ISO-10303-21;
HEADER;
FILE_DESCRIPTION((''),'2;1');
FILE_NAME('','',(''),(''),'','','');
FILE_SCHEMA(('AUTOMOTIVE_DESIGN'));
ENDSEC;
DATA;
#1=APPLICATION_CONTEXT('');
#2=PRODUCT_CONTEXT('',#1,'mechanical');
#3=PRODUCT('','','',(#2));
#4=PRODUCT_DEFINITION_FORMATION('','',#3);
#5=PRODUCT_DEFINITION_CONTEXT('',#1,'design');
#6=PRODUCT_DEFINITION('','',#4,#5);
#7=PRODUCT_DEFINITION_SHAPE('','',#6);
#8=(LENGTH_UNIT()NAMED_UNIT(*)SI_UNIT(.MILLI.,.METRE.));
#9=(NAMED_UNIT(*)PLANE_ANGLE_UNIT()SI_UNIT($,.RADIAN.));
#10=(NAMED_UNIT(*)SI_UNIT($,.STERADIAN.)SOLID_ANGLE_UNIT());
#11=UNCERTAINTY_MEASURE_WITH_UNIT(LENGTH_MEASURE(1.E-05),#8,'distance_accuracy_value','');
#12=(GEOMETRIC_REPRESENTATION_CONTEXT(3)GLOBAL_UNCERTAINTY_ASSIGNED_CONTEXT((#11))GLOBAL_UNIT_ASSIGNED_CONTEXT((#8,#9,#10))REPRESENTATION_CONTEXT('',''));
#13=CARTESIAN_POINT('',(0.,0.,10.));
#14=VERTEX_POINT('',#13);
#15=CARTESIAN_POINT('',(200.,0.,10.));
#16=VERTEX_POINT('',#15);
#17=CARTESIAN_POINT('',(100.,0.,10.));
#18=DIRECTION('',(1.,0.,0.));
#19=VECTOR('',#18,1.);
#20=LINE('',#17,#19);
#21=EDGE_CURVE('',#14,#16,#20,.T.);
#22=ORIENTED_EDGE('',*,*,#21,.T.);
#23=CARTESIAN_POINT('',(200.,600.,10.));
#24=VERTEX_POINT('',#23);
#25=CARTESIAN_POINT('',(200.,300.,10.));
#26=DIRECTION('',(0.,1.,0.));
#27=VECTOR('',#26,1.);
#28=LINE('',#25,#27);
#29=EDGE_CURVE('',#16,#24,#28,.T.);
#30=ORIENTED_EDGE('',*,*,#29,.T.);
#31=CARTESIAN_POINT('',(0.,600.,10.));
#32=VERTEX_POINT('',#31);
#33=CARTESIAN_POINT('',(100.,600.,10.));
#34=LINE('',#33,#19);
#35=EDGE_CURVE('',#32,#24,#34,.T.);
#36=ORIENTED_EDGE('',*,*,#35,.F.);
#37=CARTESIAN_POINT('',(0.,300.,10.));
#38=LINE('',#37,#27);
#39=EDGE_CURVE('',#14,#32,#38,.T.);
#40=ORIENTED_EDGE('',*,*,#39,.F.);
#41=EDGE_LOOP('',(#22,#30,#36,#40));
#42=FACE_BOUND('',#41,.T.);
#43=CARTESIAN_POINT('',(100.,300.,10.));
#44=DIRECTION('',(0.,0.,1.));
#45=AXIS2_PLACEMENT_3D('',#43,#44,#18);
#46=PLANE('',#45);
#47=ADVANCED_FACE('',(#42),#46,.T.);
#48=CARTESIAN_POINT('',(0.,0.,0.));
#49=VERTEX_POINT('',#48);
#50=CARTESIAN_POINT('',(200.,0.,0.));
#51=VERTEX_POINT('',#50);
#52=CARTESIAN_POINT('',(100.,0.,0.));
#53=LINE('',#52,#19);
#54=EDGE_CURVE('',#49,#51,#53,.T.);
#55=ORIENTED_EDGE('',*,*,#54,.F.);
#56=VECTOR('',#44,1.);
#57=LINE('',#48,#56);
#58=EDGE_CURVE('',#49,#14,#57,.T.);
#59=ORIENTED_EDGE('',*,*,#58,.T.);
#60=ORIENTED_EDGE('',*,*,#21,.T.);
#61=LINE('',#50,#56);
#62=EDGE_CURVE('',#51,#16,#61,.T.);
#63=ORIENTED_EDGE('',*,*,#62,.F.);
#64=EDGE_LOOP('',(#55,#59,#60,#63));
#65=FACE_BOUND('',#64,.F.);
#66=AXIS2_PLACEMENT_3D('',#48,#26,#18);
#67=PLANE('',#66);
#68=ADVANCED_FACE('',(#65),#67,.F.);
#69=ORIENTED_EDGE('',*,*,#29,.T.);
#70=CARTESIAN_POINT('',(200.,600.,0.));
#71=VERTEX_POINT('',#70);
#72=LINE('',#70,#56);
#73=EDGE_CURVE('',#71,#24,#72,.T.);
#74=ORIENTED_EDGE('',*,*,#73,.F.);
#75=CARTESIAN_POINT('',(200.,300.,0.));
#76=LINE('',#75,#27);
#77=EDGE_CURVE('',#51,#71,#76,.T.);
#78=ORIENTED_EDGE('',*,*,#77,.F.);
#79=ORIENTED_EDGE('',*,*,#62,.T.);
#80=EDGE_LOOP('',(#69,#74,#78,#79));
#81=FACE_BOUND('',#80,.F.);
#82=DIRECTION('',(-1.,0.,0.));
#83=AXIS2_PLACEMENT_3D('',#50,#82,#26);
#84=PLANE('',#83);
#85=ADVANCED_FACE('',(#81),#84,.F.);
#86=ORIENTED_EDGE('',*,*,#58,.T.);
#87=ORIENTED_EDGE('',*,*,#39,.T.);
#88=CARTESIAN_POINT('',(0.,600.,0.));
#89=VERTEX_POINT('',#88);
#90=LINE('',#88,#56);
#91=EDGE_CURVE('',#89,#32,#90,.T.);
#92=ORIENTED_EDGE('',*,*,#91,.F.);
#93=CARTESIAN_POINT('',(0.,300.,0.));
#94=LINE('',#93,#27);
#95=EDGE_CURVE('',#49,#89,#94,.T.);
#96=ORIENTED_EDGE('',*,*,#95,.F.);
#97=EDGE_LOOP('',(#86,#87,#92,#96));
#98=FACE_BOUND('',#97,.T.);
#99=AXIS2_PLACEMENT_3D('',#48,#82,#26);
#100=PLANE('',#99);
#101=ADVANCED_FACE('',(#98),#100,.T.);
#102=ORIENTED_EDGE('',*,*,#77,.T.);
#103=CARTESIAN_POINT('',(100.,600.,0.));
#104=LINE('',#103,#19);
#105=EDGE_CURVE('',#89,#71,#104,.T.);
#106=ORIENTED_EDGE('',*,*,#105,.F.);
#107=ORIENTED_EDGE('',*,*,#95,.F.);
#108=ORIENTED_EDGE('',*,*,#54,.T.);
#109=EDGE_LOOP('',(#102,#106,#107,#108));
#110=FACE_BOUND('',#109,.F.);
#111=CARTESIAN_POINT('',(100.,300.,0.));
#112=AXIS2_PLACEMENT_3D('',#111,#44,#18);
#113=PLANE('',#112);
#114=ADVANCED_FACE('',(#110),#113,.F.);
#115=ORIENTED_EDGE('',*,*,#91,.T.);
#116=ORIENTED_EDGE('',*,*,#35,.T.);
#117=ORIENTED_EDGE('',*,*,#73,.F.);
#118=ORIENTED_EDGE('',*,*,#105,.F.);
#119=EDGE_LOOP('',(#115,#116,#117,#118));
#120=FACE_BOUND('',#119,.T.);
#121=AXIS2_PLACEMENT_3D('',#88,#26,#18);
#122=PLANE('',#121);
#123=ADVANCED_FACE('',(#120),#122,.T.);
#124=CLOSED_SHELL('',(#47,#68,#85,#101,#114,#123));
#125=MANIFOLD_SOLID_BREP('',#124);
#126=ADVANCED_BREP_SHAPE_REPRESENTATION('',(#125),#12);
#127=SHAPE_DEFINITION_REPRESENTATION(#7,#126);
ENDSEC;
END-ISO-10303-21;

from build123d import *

# Parameters (mm, degrees)
SKETCH_W  = 200
SKETCH_H  = 600
PAD_DEPTH = 10


with BuildPart() as part:
    # Sketch → Pad (new body)
    with BuildSketch(Plane.XY):
        with Locations((100, 300)):
            Rectangle(SKETCH_W, SKETCH_H)
    extrude(amount=PAD_DEPTH)


solid = part.part
